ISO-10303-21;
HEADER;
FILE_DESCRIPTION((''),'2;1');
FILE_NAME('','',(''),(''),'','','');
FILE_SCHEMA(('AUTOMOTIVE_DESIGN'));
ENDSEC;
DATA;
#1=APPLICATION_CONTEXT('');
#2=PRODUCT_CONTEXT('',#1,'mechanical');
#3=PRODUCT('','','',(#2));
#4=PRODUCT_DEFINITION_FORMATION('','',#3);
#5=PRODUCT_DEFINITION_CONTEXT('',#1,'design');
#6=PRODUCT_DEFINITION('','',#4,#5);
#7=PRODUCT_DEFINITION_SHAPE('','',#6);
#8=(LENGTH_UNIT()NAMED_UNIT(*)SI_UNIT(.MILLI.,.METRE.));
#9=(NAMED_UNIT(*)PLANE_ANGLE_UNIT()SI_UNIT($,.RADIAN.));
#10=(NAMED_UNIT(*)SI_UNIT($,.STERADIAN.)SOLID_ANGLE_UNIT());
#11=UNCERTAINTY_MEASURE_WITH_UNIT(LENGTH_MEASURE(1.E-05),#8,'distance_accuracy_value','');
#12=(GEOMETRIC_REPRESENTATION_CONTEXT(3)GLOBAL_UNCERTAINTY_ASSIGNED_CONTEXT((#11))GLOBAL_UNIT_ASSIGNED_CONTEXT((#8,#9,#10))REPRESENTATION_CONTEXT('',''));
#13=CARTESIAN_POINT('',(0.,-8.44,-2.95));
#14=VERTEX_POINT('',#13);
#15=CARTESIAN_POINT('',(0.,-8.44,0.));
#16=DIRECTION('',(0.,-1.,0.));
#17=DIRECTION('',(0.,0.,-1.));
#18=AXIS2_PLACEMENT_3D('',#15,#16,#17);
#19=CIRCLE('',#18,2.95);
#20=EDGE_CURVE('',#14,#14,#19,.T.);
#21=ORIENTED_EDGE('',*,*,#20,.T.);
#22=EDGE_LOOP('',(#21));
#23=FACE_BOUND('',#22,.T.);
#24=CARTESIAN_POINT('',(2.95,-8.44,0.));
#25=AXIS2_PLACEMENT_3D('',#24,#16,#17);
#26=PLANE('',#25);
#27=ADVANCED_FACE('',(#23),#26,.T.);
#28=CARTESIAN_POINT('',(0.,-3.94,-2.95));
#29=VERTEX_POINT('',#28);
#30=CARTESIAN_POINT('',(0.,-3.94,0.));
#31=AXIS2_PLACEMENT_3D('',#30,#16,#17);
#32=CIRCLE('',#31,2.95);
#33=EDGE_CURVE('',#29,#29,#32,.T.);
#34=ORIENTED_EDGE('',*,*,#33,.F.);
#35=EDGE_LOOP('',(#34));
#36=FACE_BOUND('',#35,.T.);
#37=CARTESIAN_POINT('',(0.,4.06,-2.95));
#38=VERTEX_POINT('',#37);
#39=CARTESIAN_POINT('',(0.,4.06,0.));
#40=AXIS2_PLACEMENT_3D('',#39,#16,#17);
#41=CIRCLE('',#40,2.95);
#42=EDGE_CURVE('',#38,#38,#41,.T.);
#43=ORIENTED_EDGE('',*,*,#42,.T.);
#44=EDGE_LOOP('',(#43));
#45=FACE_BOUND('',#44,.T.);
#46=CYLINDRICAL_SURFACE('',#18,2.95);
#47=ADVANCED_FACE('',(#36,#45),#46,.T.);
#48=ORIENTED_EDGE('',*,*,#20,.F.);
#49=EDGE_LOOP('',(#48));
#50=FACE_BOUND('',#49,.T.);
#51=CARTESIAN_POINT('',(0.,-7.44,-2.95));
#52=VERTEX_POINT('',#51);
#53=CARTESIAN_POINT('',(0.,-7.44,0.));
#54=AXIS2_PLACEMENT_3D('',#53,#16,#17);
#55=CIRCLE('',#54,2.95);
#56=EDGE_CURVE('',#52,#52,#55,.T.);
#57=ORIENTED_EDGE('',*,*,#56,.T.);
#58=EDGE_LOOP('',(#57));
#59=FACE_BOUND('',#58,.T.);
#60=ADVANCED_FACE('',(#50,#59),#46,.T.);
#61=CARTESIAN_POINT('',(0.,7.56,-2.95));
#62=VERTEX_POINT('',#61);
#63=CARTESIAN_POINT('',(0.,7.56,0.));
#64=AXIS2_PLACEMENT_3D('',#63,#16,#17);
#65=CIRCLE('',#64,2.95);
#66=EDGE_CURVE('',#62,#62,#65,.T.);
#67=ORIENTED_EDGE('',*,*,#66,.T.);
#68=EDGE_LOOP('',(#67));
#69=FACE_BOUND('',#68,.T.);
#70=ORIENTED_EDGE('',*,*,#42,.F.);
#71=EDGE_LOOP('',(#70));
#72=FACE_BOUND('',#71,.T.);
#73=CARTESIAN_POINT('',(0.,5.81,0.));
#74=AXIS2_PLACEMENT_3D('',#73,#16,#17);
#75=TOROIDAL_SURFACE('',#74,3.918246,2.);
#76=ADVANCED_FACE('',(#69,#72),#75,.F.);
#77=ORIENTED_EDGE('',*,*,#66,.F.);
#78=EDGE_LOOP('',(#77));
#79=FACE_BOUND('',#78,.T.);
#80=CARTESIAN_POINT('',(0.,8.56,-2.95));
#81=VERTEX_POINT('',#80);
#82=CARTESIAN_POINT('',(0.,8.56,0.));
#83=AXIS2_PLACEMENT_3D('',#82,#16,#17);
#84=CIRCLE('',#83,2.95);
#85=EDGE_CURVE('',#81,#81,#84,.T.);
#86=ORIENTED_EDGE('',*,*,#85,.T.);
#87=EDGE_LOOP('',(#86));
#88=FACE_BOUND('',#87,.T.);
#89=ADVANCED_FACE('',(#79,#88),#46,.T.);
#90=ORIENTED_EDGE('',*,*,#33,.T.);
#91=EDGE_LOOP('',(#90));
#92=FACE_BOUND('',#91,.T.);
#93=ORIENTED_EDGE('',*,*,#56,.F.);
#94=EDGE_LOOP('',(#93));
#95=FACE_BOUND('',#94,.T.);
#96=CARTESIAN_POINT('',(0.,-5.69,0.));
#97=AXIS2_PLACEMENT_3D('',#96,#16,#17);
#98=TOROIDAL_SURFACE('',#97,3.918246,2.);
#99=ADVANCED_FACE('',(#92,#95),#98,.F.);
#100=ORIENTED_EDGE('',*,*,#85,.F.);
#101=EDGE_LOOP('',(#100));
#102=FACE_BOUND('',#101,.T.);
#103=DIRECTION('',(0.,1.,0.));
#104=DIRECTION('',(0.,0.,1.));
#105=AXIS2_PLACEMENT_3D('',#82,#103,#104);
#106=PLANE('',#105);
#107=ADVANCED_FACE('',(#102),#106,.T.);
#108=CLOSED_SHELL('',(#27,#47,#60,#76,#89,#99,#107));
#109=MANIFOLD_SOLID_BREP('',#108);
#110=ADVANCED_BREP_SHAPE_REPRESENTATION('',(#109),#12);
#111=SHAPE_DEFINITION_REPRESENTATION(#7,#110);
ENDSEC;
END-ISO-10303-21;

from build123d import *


with BuildPart() as part:
    # 草图1 → 旋转1 (revolve)
    with BuildSketch(Plane.XY):
        with BuildLine():
            Line((0, 0), (0, 8.56))
            Line((0, 8.56), (2.95, 8.56))
            Line((2.95, 8.56), (2.95, 7.56))
            ThreePointArc((2.95, 7.56), (1.918245837, 5.81), (2.95, 4.06))
            Line((2.95, 4.06), (2.95, -3.94))
            ThreePointArc((2.95, -3.94), (1.918245837, -5.69), (2.95, -7.44))
            Line((2.95, -7.44), (2.95, -8.44))
            Line((2.95, -8.44), (0, -8.44))
            Line((0, -8.44), (0, 0))
        make_face()
    revolve(axis=Axis((0, -8.44, 0), (0, 1, 0)))


solid = part.part
